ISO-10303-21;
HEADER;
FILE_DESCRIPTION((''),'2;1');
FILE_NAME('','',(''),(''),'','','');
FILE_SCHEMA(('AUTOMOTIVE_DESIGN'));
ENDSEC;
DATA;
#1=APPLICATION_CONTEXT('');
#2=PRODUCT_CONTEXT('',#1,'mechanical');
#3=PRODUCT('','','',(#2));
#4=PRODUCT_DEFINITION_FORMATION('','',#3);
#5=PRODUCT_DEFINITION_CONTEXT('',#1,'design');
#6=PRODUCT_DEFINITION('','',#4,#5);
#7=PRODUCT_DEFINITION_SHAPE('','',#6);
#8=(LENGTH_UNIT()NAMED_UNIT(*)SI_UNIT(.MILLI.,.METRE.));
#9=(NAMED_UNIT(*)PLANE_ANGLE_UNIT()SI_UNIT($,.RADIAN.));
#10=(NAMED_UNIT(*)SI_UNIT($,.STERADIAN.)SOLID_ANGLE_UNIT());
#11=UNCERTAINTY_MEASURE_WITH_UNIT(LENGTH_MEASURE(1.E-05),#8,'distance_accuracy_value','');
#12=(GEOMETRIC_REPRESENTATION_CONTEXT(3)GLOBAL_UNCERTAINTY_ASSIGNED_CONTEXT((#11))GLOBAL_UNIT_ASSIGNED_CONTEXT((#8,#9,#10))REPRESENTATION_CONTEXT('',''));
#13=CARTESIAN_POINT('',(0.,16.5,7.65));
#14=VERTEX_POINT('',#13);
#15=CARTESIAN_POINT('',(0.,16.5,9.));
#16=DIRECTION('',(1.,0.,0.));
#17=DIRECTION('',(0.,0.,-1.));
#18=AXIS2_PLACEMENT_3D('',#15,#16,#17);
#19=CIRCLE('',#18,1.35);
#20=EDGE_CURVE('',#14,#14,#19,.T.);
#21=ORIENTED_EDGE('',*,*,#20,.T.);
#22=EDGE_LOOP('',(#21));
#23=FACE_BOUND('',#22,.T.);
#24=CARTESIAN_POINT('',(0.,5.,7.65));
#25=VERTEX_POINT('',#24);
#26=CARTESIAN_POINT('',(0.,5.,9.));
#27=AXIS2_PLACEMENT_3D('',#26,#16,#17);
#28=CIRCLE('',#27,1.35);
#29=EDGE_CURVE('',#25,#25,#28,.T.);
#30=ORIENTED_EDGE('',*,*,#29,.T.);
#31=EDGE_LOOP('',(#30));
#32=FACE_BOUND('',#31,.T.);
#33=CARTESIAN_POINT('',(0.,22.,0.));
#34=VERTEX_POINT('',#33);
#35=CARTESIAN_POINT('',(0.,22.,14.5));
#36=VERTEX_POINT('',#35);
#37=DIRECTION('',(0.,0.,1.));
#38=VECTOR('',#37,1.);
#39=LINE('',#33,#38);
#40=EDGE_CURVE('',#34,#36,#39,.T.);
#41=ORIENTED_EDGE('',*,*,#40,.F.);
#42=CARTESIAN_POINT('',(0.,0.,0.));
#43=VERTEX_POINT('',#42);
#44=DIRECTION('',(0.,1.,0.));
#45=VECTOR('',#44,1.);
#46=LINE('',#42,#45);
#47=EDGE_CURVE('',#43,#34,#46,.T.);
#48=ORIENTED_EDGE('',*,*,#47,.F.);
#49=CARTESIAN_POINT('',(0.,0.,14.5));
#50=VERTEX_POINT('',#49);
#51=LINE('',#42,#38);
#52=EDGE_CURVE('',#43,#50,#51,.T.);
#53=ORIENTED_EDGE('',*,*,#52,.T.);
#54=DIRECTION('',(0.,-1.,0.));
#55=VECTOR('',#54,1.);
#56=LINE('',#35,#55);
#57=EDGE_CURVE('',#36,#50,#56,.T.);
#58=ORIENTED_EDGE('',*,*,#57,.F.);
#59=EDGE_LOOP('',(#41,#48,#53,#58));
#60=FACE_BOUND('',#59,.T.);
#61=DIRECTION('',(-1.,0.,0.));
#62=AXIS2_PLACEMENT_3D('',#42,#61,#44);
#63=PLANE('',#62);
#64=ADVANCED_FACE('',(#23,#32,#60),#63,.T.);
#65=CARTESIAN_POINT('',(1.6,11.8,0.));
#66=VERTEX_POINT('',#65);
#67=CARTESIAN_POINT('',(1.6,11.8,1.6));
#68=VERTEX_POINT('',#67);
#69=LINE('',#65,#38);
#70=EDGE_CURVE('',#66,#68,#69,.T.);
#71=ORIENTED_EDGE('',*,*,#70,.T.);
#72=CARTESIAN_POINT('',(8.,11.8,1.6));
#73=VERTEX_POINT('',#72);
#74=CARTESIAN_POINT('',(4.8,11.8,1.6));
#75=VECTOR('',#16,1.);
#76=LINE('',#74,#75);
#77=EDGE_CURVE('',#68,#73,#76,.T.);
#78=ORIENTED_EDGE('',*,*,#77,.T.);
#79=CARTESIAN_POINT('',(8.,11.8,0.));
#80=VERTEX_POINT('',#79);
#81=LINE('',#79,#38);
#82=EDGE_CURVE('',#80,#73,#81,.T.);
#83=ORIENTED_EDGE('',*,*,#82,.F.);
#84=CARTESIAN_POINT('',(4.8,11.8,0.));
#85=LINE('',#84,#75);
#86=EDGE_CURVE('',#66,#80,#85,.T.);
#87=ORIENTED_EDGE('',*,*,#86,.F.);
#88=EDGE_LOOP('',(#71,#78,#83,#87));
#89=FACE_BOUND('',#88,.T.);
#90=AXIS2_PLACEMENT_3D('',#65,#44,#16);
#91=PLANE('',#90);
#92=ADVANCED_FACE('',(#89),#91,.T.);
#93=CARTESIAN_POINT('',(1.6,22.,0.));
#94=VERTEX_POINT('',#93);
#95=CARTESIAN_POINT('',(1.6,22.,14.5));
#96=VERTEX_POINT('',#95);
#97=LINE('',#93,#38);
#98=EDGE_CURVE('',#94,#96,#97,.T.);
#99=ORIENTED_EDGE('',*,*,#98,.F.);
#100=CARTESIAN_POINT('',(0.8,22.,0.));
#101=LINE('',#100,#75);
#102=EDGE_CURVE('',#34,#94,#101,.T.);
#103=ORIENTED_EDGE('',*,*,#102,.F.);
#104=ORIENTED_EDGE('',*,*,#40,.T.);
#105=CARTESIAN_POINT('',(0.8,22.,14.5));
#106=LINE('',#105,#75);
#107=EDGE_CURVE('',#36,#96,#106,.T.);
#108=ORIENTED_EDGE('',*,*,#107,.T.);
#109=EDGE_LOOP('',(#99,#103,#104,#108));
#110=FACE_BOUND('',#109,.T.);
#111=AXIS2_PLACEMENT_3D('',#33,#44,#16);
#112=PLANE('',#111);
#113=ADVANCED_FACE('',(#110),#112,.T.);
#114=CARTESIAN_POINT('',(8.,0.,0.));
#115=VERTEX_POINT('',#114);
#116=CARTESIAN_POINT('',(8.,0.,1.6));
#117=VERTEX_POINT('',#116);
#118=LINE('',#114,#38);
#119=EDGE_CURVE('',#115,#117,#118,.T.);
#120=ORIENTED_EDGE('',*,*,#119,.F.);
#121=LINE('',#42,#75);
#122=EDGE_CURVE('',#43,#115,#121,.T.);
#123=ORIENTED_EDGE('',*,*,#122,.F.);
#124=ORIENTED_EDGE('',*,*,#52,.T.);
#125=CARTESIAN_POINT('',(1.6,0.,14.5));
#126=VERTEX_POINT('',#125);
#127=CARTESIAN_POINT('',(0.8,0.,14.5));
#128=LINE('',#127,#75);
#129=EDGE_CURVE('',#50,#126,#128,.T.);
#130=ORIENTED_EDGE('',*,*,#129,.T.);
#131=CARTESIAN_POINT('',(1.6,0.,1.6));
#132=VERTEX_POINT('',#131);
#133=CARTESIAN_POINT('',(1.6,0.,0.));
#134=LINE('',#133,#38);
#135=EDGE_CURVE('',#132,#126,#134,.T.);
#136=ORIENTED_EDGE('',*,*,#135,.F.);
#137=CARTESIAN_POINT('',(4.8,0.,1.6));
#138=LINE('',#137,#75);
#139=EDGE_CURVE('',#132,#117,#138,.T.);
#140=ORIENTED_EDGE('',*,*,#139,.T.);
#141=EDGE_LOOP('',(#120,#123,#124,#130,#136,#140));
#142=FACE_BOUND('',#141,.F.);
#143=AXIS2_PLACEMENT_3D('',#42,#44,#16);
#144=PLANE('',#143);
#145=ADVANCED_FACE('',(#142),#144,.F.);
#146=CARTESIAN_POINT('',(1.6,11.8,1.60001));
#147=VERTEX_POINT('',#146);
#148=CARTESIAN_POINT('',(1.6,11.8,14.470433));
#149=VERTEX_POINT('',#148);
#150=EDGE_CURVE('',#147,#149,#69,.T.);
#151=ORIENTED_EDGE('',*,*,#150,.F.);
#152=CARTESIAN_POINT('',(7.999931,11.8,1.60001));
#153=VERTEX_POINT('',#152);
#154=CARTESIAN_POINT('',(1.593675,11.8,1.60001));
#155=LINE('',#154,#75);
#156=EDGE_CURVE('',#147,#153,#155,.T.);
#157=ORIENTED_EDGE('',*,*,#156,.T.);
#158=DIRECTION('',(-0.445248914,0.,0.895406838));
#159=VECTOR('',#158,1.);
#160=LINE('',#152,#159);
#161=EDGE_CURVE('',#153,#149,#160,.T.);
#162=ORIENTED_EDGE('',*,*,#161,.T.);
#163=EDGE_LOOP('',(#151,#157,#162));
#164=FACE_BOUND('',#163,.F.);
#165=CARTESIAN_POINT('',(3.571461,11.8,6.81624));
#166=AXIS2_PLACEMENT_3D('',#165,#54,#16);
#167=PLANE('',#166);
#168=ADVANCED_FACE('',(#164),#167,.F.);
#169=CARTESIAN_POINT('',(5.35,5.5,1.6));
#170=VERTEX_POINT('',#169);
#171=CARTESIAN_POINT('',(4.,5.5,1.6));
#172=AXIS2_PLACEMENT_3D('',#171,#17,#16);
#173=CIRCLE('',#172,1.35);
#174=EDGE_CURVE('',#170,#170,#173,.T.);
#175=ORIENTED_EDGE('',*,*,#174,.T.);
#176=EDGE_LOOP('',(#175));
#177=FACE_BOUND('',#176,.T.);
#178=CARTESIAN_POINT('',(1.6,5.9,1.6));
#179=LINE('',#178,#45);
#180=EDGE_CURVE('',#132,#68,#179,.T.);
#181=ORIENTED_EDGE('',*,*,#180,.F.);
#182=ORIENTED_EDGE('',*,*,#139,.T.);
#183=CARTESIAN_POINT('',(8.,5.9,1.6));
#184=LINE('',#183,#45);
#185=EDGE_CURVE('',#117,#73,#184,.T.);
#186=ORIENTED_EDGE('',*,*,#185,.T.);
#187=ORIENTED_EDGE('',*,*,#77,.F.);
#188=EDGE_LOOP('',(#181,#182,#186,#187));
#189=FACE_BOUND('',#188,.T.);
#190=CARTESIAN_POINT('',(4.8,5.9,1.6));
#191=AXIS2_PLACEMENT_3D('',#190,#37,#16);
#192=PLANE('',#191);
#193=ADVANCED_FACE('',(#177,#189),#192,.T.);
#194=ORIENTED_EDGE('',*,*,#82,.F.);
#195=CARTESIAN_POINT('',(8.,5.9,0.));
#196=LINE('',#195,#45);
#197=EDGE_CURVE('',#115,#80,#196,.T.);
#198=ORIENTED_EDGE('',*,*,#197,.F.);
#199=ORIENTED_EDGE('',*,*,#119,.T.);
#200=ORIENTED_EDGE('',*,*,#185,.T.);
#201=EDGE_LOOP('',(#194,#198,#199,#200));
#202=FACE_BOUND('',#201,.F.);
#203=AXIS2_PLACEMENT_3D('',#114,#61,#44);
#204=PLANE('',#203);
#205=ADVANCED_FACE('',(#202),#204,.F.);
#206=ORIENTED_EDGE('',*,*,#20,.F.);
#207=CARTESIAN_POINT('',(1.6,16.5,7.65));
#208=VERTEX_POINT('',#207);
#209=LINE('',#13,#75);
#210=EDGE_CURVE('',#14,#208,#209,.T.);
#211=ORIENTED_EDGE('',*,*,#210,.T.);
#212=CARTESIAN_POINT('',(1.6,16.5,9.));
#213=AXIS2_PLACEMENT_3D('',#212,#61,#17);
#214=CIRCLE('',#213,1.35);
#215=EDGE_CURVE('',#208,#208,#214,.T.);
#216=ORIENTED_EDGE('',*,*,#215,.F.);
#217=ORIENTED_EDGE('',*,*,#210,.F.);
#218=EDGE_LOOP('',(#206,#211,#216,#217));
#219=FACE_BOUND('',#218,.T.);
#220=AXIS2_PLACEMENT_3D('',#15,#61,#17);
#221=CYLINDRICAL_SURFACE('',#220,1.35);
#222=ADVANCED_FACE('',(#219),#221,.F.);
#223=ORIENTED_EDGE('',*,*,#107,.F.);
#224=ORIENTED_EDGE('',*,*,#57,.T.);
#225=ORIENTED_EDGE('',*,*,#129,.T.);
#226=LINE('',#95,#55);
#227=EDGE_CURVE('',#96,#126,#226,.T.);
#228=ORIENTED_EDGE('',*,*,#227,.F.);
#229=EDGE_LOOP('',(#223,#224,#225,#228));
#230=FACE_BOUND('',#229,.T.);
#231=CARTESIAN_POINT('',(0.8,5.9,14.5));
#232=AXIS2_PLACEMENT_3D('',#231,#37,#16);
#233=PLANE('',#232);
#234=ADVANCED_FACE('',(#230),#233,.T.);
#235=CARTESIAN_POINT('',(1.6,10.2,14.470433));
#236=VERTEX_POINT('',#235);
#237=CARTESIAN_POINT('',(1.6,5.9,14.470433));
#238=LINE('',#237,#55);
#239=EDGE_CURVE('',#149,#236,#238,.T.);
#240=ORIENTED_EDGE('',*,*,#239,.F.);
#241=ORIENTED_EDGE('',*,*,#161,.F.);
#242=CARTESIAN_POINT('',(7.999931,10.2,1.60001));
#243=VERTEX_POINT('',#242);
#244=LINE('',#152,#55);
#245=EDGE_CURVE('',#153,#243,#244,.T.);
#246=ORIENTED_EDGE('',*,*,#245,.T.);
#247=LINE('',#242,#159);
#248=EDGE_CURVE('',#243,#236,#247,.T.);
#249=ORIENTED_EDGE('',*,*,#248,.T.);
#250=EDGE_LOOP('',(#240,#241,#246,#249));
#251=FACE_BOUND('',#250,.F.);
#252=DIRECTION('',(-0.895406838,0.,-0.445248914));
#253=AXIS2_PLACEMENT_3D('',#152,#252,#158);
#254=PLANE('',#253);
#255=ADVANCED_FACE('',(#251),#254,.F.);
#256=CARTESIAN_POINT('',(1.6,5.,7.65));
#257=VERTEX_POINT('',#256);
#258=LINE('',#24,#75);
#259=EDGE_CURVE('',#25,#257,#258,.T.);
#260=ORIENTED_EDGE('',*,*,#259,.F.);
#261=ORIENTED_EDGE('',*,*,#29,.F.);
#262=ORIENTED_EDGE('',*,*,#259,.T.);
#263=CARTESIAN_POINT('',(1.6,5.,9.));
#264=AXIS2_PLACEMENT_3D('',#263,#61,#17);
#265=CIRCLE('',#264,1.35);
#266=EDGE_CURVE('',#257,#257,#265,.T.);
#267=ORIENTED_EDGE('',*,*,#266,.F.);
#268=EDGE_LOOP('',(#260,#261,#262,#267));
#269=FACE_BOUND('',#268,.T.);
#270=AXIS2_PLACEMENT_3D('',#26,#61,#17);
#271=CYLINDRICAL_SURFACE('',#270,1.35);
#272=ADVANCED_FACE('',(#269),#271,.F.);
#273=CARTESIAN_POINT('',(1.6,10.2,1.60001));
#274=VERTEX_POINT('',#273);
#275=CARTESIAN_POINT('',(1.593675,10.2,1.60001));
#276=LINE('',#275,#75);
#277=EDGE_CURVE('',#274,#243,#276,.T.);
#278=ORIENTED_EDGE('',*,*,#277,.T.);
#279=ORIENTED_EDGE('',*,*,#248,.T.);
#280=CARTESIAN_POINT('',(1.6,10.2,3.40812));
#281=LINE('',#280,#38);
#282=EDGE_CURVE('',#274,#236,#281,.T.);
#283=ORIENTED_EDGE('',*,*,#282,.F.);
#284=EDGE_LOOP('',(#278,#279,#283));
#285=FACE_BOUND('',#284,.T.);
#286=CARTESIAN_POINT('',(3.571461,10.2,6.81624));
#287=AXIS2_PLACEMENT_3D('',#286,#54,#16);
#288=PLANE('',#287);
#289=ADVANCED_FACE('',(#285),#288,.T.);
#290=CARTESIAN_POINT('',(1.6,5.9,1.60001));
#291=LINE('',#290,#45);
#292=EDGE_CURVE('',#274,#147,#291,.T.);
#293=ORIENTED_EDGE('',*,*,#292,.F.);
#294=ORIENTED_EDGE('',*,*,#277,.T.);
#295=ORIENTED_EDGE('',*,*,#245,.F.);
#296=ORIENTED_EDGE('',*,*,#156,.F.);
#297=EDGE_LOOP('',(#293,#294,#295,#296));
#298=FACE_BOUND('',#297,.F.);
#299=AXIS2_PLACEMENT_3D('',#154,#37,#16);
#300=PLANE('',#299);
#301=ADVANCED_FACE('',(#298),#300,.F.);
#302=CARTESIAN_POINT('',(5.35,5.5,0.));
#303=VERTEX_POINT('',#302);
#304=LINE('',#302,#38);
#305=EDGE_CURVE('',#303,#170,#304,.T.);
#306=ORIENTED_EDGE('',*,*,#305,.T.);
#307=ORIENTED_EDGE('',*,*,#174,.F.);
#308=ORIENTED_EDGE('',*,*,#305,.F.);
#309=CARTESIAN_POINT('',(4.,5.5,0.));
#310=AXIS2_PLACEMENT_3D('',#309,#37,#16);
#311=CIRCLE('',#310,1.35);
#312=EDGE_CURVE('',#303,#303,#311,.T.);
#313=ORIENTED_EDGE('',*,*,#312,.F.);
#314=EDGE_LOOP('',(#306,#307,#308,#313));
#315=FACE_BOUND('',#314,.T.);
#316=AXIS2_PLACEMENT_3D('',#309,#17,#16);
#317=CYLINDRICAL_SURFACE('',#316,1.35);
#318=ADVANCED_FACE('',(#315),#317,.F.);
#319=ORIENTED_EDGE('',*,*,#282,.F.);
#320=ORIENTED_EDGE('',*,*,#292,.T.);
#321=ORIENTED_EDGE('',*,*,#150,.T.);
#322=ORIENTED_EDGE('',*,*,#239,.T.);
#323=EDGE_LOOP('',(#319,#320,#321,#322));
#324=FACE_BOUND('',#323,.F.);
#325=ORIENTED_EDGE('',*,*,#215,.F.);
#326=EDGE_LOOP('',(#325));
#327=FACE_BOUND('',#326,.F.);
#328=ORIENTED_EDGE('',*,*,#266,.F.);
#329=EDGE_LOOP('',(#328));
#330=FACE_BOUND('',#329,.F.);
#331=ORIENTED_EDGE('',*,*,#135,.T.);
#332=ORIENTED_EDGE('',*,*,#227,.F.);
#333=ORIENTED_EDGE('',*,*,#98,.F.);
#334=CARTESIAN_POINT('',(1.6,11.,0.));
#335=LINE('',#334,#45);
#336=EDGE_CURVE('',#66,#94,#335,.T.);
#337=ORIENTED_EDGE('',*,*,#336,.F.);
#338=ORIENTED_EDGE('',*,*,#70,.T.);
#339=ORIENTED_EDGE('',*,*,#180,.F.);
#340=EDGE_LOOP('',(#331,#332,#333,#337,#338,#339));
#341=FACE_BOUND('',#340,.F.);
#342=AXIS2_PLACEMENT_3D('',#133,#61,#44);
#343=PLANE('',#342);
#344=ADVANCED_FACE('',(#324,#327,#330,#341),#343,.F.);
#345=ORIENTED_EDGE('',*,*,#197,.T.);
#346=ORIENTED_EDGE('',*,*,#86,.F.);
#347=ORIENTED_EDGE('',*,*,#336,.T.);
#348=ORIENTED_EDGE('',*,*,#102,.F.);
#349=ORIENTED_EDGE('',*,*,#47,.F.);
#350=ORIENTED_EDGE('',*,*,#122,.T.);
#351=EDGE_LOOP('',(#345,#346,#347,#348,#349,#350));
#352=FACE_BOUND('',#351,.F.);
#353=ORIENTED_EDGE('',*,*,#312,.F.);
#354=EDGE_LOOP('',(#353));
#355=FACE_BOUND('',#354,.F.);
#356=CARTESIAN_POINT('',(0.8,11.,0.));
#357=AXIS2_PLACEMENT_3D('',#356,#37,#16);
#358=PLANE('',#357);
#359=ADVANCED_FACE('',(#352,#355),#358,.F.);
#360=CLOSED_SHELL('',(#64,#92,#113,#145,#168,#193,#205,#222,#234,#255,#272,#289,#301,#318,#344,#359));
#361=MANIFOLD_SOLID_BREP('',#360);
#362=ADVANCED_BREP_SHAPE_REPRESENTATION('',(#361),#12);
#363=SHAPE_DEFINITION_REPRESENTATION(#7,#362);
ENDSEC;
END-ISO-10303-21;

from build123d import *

# Parameters (mm, degrees)
BOX002_W          = 1.6
BOX002_H          = 11.8
BOX002_DEPTH      = 14.5
EXTRUDE_DEPTH     = 1.6
CYLINDER002_R     = 1.35
CYLINDER002_DEPTH = 10
CYLINDER001_R     = 1.35
CYLINDER001_DEPTH = 10
CYLINDER_R        = 1.35
CYLINDER_DEPTH    = 10
BOX_W             = 1.6
BOX_H             = 22
BOX_DEPTH         = 14.5
BOX001_W          = 6.4
BOX001_H          = 11.8
BOX001_DEPTH      = 1.6
CYLINDER003_R     = 1.35
CYLINDER003_DEPTH = 10
BOX003_W          = 1.6
BOX003_H          = 11.8
BOX003_DEPTH      = 14.5


with BuildPart() as cube002:
    # Box002 → Box002 (new body)
    with BuildSketch(Plane.XY):
        with Locations((0.8, 5.9)):
            Rectangle(BOX002_W, BOX002_H)
    extrude(amount=BOX002_DEPTH)


with BuildPart() as extrude_body:
    # Sketch → Extrude (new body)
    with BuildSketch(Plane.XZ):
        Polygon((1.593675, 14.483153), (1.593675, 1.60001), (7.999931, 1.60001), align=None)
    extrude(amount=EXTRUDE_DEPTH)


with BuildPart() as extrude_body_1:
    # Extrude placement: moved
    add(extrude_body.part.moved(Location((0, 11.8, 0))))


with BuildPart() as cylinder002:
    # Cylinder002 → Cylinder002 (new body)
    with BuildSketch(Plane(origin=(4, 5.5, 0), x_dir=(1, 0, 0), z_dir=(0, 0, 1))):
        Circle(CYLINDER002_R)
    extrude(amount=CYLINDER002_DEPTH)


with BuildPart() as cylinder001:
    # Cylinder001 → Cylinder001 (new body)
    with BuildSketch(Plane(origin=(0, 16.5, 9), x_dir=(0, 0, -1), z_dir=(1, 0, 0))):
        Circle(CYLINDER001_R)
    extrude(amount=CYLINDER001_DEPTH)


with BuildPart() as cylinder:
    # Cylinder → Cylinder (new body)
    with BuildSketch(Plane(origin=(0, 5.5, 9), x_dir=(0, 0, -1), z_dir=(1, 0, 0))):
        Circle(CYLINDER_R)
    extrude(amount=CYLINDER_DEPTH)


with BuildPart() as cut001:
    # Box → Box (new body)
    with BuildSketch(Plane.XY):
        with Locations((0.8, 11)):
            Rectangle(BOX_W, BOX_H)
    extrude(amount=BOX_DEPTH)

    # Cut: cut Cylinder
    add(cylinder.part, mode=Mode.SUBTRACT)

    # Cut001: cut Cylinder001
    add(cylinder001.part, mode=Mode.SUBTRACT)


with BuildPart() as cut003:
    # Box001 → Box001 (new body)
    with BuildSketch(Plane(origin=(1.6, 0, 0), x_dir=(1, 0, 0), z_dir=(0, 0, 1))):
        with Locations((3.2, 5.9)):
            Rectangle(BOX001_W, BOX001_H)
    extrude(amount=BOX001_DEPTH)

    # Connect: union Cut001
    add(cut001.part)

    # Cut002: cut Cylinder002
    add(cylinder002.part, mode=Mode.SUBTRACT)

    # Connect001: union Extrude body
    add(extrude_body_1.part)

    # Cut003: cut Cube002
    add(cube002.part, mode=Mode.SUBTRACT)


with BuildPart() as cylinder003:
    # Cylinder003 → Cylinder003 (new body)
    with BuildSketch(Plane(origin=(0, 5, 9), x_dir=(0, 0, -1), z_dir=(1, 0, 0))):
        Circle(CYLINDER003_R)
    extrude(amount=CYLINDER003_DEPTH)


with BuildPart() as connect002:
    # Box003 → Box003 (new body)
    with BuildSketch(Plane.XY):
        with Locations((0.8, 5.9)):
            Rectangle(BOX003_W, BOX003_H)
    extrude(amount=BOX003_DEPTH)

    # Cut004: cut Cylinder003
    add(cylinder003.part, mode=Mode.SUBTRACT)

    # Connect002: union Cut003
    add(cut003.part)


solid = connect002.part
